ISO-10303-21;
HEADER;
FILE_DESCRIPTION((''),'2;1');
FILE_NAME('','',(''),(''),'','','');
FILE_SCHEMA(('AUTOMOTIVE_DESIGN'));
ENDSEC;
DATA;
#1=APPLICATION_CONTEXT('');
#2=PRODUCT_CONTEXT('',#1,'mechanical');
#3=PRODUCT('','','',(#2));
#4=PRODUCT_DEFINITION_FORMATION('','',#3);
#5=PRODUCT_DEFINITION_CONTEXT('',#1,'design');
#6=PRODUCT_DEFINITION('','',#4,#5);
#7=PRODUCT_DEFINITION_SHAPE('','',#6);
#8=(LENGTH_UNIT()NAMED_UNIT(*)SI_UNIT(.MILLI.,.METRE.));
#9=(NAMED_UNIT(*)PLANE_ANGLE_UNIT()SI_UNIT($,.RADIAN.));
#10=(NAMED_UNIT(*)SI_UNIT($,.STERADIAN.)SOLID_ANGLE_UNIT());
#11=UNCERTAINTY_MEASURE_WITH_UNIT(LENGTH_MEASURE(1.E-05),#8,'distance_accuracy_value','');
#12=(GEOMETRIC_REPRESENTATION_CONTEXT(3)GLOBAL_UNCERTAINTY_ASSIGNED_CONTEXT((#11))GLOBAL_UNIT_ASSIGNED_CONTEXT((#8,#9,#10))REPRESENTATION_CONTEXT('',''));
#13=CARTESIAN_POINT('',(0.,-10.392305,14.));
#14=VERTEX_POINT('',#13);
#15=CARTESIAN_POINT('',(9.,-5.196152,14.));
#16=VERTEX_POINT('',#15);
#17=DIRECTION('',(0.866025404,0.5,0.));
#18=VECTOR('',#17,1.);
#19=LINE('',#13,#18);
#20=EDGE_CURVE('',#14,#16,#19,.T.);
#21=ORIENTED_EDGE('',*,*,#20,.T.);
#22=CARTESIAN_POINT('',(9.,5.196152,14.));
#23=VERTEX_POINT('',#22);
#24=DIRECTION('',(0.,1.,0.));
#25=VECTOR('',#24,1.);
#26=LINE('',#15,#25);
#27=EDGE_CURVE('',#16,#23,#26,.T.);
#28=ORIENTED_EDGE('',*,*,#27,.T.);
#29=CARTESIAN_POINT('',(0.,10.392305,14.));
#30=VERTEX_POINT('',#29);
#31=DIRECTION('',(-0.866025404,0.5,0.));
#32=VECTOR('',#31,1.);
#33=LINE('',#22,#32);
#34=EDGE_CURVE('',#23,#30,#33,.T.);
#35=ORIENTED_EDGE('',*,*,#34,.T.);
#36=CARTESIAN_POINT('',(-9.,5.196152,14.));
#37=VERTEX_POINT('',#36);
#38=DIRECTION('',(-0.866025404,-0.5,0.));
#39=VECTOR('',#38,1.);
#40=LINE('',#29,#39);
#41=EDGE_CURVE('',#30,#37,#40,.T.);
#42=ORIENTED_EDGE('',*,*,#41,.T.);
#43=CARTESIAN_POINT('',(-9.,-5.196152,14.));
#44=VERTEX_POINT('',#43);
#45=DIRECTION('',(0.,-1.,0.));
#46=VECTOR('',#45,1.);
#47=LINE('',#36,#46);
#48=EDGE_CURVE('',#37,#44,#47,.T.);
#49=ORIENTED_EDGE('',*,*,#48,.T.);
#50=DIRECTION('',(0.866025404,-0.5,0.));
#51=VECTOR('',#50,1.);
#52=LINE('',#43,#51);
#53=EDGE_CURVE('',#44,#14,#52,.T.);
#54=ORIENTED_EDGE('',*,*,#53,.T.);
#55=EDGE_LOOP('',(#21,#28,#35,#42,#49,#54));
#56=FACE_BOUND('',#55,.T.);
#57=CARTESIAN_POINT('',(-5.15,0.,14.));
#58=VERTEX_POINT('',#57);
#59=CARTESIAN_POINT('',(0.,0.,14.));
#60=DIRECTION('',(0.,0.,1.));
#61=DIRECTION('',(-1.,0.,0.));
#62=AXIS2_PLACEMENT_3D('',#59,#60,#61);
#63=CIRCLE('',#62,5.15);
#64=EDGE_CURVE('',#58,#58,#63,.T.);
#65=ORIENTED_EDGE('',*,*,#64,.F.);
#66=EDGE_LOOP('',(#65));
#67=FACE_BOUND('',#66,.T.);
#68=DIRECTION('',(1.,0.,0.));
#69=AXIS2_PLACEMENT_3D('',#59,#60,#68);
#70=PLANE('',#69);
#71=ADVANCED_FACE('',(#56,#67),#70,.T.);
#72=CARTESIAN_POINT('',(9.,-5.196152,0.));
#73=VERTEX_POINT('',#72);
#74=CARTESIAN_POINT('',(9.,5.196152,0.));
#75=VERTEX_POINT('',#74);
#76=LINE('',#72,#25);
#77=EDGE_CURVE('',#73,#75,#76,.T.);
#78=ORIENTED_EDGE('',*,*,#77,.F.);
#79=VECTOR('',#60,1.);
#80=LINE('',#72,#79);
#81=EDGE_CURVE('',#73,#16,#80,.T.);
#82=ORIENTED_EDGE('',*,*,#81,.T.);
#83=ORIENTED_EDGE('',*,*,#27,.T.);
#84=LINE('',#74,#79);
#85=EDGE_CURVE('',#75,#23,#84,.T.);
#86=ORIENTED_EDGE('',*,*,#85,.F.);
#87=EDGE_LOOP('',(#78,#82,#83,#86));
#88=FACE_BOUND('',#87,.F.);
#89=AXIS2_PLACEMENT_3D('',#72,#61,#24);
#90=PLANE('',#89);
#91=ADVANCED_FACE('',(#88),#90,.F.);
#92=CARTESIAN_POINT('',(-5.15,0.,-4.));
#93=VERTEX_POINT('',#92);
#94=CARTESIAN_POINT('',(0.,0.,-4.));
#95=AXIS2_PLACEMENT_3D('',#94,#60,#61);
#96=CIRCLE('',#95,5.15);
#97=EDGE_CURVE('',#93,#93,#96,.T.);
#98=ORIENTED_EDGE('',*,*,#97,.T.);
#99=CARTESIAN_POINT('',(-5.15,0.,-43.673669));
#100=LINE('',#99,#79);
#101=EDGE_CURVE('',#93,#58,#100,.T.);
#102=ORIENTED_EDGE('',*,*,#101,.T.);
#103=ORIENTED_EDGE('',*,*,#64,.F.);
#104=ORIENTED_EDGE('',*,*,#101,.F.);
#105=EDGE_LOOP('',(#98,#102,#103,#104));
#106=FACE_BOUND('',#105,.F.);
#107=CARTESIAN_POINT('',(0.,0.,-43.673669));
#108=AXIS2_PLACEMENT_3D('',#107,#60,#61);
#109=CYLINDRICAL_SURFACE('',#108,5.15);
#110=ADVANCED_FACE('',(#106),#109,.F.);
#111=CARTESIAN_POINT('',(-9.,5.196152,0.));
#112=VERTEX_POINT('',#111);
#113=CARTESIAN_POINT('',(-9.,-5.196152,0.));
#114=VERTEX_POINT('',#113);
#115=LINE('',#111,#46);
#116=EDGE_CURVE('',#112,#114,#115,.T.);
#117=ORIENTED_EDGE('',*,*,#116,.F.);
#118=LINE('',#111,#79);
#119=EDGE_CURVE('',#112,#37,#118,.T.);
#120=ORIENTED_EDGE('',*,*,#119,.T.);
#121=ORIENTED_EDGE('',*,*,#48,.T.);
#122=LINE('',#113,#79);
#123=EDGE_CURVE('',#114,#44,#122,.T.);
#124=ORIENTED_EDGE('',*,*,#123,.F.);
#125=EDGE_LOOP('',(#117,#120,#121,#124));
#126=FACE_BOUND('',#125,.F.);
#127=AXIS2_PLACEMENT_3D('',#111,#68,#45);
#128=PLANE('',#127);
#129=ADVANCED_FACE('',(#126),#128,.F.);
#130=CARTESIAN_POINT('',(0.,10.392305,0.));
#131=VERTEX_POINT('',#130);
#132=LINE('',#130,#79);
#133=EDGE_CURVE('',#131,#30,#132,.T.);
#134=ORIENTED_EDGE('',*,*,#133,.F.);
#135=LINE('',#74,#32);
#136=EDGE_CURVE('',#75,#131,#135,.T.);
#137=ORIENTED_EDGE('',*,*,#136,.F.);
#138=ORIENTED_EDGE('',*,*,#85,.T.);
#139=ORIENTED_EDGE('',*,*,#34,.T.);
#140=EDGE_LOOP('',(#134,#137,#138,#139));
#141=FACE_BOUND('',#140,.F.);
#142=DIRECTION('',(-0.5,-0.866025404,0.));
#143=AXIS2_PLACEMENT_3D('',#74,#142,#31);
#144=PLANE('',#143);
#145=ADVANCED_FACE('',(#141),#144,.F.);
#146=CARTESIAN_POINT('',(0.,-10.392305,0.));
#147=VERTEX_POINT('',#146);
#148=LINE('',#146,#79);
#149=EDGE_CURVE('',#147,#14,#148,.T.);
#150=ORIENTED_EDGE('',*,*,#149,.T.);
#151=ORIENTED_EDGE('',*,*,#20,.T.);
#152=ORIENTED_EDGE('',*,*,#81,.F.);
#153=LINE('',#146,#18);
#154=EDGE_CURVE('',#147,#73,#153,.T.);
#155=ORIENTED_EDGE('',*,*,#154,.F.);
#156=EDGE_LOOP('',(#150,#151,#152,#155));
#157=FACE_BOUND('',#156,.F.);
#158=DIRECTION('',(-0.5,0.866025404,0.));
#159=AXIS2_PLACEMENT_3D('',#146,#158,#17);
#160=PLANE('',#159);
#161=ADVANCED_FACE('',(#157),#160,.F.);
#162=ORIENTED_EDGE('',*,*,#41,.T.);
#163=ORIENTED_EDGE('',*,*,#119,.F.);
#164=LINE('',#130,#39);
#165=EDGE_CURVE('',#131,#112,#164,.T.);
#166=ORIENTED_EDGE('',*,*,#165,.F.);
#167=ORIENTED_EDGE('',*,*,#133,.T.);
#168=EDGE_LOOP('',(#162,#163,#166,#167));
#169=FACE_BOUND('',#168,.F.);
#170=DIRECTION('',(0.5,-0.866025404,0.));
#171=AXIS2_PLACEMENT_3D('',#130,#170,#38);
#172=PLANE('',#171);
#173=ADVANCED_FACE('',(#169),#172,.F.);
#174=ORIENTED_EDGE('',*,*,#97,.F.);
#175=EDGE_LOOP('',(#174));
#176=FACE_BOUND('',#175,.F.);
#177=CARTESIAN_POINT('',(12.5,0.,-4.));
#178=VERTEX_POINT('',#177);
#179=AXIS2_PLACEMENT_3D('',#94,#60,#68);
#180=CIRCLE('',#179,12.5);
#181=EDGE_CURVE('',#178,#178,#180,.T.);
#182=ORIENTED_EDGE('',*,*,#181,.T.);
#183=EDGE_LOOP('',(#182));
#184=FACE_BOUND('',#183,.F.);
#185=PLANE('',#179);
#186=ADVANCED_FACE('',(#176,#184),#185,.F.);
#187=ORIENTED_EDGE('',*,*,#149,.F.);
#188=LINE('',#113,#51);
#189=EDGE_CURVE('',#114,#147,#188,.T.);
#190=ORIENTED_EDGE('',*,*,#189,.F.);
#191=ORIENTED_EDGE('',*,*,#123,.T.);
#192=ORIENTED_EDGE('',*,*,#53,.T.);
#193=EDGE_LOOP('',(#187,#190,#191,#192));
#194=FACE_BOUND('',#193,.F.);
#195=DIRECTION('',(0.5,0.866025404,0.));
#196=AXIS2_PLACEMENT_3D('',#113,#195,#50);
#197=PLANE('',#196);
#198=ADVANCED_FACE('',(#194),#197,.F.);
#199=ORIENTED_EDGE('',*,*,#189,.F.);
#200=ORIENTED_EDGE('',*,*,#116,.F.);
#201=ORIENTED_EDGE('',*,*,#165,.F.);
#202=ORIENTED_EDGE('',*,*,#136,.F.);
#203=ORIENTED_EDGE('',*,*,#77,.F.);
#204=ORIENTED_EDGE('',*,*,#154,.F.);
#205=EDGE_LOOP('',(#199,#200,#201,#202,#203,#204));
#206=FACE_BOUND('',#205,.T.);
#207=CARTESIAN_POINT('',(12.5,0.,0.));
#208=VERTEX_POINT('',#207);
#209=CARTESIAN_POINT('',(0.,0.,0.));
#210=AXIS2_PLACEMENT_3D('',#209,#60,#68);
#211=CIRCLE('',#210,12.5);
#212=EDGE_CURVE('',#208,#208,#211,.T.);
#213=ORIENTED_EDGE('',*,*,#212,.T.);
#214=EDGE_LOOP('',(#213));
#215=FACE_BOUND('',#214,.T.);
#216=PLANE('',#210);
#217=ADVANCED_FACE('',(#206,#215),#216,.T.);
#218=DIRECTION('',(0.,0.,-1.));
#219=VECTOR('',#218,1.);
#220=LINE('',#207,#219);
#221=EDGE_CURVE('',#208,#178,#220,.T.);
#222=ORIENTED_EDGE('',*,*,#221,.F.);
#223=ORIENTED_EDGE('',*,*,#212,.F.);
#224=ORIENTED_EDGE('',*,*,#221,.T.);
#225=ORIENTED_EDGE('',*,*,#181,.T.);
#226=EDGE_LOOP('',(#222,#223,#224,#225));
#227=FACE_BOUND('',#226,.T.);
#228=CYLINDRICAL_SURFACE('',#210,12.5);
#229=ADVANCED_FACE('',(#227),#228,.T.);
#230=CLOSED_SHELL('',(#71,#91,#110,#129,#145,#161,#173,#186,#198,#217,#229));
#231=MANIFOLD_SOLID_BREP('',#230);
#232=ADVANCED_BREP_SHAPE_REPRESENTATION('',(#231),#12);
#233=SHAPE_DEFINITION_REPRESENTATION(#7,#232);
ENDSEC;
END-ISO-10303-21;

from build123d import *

# Parameters (mm, degrees)
F0_R     = 12.5
F1_DEPTH = 4
F3_DEPTH = 14
F5_D     = 10.3


with BuildPart() as f1:
    # F0 (on Top) → F1 (new body)
    with BuildSketch(Plane.XY):
        Circle(F0_R)
    extrude(amount=-F1_DEPTH)

    # F2 (on face) → F3 (join)
    with BuildSketch(Plane.XY):
        Polygon((9, -5.1961524227), (9, 5.1961524227), (0, 10.3923048454), (-9, 5.1961524227), (-9, -5.1961524227), (0, -10.3923048454), align=None)
    extrude(amount=F3_DEPTH)

    # F5 (through all)
    with Locations(Plane(origin=(0, 0, -4), x_dir=(1, 0, 0), z_dir=(0, 0, -1))):
        with Locations((0, 0)):
            Hole(F5_D / 2)


solid = f1.part
